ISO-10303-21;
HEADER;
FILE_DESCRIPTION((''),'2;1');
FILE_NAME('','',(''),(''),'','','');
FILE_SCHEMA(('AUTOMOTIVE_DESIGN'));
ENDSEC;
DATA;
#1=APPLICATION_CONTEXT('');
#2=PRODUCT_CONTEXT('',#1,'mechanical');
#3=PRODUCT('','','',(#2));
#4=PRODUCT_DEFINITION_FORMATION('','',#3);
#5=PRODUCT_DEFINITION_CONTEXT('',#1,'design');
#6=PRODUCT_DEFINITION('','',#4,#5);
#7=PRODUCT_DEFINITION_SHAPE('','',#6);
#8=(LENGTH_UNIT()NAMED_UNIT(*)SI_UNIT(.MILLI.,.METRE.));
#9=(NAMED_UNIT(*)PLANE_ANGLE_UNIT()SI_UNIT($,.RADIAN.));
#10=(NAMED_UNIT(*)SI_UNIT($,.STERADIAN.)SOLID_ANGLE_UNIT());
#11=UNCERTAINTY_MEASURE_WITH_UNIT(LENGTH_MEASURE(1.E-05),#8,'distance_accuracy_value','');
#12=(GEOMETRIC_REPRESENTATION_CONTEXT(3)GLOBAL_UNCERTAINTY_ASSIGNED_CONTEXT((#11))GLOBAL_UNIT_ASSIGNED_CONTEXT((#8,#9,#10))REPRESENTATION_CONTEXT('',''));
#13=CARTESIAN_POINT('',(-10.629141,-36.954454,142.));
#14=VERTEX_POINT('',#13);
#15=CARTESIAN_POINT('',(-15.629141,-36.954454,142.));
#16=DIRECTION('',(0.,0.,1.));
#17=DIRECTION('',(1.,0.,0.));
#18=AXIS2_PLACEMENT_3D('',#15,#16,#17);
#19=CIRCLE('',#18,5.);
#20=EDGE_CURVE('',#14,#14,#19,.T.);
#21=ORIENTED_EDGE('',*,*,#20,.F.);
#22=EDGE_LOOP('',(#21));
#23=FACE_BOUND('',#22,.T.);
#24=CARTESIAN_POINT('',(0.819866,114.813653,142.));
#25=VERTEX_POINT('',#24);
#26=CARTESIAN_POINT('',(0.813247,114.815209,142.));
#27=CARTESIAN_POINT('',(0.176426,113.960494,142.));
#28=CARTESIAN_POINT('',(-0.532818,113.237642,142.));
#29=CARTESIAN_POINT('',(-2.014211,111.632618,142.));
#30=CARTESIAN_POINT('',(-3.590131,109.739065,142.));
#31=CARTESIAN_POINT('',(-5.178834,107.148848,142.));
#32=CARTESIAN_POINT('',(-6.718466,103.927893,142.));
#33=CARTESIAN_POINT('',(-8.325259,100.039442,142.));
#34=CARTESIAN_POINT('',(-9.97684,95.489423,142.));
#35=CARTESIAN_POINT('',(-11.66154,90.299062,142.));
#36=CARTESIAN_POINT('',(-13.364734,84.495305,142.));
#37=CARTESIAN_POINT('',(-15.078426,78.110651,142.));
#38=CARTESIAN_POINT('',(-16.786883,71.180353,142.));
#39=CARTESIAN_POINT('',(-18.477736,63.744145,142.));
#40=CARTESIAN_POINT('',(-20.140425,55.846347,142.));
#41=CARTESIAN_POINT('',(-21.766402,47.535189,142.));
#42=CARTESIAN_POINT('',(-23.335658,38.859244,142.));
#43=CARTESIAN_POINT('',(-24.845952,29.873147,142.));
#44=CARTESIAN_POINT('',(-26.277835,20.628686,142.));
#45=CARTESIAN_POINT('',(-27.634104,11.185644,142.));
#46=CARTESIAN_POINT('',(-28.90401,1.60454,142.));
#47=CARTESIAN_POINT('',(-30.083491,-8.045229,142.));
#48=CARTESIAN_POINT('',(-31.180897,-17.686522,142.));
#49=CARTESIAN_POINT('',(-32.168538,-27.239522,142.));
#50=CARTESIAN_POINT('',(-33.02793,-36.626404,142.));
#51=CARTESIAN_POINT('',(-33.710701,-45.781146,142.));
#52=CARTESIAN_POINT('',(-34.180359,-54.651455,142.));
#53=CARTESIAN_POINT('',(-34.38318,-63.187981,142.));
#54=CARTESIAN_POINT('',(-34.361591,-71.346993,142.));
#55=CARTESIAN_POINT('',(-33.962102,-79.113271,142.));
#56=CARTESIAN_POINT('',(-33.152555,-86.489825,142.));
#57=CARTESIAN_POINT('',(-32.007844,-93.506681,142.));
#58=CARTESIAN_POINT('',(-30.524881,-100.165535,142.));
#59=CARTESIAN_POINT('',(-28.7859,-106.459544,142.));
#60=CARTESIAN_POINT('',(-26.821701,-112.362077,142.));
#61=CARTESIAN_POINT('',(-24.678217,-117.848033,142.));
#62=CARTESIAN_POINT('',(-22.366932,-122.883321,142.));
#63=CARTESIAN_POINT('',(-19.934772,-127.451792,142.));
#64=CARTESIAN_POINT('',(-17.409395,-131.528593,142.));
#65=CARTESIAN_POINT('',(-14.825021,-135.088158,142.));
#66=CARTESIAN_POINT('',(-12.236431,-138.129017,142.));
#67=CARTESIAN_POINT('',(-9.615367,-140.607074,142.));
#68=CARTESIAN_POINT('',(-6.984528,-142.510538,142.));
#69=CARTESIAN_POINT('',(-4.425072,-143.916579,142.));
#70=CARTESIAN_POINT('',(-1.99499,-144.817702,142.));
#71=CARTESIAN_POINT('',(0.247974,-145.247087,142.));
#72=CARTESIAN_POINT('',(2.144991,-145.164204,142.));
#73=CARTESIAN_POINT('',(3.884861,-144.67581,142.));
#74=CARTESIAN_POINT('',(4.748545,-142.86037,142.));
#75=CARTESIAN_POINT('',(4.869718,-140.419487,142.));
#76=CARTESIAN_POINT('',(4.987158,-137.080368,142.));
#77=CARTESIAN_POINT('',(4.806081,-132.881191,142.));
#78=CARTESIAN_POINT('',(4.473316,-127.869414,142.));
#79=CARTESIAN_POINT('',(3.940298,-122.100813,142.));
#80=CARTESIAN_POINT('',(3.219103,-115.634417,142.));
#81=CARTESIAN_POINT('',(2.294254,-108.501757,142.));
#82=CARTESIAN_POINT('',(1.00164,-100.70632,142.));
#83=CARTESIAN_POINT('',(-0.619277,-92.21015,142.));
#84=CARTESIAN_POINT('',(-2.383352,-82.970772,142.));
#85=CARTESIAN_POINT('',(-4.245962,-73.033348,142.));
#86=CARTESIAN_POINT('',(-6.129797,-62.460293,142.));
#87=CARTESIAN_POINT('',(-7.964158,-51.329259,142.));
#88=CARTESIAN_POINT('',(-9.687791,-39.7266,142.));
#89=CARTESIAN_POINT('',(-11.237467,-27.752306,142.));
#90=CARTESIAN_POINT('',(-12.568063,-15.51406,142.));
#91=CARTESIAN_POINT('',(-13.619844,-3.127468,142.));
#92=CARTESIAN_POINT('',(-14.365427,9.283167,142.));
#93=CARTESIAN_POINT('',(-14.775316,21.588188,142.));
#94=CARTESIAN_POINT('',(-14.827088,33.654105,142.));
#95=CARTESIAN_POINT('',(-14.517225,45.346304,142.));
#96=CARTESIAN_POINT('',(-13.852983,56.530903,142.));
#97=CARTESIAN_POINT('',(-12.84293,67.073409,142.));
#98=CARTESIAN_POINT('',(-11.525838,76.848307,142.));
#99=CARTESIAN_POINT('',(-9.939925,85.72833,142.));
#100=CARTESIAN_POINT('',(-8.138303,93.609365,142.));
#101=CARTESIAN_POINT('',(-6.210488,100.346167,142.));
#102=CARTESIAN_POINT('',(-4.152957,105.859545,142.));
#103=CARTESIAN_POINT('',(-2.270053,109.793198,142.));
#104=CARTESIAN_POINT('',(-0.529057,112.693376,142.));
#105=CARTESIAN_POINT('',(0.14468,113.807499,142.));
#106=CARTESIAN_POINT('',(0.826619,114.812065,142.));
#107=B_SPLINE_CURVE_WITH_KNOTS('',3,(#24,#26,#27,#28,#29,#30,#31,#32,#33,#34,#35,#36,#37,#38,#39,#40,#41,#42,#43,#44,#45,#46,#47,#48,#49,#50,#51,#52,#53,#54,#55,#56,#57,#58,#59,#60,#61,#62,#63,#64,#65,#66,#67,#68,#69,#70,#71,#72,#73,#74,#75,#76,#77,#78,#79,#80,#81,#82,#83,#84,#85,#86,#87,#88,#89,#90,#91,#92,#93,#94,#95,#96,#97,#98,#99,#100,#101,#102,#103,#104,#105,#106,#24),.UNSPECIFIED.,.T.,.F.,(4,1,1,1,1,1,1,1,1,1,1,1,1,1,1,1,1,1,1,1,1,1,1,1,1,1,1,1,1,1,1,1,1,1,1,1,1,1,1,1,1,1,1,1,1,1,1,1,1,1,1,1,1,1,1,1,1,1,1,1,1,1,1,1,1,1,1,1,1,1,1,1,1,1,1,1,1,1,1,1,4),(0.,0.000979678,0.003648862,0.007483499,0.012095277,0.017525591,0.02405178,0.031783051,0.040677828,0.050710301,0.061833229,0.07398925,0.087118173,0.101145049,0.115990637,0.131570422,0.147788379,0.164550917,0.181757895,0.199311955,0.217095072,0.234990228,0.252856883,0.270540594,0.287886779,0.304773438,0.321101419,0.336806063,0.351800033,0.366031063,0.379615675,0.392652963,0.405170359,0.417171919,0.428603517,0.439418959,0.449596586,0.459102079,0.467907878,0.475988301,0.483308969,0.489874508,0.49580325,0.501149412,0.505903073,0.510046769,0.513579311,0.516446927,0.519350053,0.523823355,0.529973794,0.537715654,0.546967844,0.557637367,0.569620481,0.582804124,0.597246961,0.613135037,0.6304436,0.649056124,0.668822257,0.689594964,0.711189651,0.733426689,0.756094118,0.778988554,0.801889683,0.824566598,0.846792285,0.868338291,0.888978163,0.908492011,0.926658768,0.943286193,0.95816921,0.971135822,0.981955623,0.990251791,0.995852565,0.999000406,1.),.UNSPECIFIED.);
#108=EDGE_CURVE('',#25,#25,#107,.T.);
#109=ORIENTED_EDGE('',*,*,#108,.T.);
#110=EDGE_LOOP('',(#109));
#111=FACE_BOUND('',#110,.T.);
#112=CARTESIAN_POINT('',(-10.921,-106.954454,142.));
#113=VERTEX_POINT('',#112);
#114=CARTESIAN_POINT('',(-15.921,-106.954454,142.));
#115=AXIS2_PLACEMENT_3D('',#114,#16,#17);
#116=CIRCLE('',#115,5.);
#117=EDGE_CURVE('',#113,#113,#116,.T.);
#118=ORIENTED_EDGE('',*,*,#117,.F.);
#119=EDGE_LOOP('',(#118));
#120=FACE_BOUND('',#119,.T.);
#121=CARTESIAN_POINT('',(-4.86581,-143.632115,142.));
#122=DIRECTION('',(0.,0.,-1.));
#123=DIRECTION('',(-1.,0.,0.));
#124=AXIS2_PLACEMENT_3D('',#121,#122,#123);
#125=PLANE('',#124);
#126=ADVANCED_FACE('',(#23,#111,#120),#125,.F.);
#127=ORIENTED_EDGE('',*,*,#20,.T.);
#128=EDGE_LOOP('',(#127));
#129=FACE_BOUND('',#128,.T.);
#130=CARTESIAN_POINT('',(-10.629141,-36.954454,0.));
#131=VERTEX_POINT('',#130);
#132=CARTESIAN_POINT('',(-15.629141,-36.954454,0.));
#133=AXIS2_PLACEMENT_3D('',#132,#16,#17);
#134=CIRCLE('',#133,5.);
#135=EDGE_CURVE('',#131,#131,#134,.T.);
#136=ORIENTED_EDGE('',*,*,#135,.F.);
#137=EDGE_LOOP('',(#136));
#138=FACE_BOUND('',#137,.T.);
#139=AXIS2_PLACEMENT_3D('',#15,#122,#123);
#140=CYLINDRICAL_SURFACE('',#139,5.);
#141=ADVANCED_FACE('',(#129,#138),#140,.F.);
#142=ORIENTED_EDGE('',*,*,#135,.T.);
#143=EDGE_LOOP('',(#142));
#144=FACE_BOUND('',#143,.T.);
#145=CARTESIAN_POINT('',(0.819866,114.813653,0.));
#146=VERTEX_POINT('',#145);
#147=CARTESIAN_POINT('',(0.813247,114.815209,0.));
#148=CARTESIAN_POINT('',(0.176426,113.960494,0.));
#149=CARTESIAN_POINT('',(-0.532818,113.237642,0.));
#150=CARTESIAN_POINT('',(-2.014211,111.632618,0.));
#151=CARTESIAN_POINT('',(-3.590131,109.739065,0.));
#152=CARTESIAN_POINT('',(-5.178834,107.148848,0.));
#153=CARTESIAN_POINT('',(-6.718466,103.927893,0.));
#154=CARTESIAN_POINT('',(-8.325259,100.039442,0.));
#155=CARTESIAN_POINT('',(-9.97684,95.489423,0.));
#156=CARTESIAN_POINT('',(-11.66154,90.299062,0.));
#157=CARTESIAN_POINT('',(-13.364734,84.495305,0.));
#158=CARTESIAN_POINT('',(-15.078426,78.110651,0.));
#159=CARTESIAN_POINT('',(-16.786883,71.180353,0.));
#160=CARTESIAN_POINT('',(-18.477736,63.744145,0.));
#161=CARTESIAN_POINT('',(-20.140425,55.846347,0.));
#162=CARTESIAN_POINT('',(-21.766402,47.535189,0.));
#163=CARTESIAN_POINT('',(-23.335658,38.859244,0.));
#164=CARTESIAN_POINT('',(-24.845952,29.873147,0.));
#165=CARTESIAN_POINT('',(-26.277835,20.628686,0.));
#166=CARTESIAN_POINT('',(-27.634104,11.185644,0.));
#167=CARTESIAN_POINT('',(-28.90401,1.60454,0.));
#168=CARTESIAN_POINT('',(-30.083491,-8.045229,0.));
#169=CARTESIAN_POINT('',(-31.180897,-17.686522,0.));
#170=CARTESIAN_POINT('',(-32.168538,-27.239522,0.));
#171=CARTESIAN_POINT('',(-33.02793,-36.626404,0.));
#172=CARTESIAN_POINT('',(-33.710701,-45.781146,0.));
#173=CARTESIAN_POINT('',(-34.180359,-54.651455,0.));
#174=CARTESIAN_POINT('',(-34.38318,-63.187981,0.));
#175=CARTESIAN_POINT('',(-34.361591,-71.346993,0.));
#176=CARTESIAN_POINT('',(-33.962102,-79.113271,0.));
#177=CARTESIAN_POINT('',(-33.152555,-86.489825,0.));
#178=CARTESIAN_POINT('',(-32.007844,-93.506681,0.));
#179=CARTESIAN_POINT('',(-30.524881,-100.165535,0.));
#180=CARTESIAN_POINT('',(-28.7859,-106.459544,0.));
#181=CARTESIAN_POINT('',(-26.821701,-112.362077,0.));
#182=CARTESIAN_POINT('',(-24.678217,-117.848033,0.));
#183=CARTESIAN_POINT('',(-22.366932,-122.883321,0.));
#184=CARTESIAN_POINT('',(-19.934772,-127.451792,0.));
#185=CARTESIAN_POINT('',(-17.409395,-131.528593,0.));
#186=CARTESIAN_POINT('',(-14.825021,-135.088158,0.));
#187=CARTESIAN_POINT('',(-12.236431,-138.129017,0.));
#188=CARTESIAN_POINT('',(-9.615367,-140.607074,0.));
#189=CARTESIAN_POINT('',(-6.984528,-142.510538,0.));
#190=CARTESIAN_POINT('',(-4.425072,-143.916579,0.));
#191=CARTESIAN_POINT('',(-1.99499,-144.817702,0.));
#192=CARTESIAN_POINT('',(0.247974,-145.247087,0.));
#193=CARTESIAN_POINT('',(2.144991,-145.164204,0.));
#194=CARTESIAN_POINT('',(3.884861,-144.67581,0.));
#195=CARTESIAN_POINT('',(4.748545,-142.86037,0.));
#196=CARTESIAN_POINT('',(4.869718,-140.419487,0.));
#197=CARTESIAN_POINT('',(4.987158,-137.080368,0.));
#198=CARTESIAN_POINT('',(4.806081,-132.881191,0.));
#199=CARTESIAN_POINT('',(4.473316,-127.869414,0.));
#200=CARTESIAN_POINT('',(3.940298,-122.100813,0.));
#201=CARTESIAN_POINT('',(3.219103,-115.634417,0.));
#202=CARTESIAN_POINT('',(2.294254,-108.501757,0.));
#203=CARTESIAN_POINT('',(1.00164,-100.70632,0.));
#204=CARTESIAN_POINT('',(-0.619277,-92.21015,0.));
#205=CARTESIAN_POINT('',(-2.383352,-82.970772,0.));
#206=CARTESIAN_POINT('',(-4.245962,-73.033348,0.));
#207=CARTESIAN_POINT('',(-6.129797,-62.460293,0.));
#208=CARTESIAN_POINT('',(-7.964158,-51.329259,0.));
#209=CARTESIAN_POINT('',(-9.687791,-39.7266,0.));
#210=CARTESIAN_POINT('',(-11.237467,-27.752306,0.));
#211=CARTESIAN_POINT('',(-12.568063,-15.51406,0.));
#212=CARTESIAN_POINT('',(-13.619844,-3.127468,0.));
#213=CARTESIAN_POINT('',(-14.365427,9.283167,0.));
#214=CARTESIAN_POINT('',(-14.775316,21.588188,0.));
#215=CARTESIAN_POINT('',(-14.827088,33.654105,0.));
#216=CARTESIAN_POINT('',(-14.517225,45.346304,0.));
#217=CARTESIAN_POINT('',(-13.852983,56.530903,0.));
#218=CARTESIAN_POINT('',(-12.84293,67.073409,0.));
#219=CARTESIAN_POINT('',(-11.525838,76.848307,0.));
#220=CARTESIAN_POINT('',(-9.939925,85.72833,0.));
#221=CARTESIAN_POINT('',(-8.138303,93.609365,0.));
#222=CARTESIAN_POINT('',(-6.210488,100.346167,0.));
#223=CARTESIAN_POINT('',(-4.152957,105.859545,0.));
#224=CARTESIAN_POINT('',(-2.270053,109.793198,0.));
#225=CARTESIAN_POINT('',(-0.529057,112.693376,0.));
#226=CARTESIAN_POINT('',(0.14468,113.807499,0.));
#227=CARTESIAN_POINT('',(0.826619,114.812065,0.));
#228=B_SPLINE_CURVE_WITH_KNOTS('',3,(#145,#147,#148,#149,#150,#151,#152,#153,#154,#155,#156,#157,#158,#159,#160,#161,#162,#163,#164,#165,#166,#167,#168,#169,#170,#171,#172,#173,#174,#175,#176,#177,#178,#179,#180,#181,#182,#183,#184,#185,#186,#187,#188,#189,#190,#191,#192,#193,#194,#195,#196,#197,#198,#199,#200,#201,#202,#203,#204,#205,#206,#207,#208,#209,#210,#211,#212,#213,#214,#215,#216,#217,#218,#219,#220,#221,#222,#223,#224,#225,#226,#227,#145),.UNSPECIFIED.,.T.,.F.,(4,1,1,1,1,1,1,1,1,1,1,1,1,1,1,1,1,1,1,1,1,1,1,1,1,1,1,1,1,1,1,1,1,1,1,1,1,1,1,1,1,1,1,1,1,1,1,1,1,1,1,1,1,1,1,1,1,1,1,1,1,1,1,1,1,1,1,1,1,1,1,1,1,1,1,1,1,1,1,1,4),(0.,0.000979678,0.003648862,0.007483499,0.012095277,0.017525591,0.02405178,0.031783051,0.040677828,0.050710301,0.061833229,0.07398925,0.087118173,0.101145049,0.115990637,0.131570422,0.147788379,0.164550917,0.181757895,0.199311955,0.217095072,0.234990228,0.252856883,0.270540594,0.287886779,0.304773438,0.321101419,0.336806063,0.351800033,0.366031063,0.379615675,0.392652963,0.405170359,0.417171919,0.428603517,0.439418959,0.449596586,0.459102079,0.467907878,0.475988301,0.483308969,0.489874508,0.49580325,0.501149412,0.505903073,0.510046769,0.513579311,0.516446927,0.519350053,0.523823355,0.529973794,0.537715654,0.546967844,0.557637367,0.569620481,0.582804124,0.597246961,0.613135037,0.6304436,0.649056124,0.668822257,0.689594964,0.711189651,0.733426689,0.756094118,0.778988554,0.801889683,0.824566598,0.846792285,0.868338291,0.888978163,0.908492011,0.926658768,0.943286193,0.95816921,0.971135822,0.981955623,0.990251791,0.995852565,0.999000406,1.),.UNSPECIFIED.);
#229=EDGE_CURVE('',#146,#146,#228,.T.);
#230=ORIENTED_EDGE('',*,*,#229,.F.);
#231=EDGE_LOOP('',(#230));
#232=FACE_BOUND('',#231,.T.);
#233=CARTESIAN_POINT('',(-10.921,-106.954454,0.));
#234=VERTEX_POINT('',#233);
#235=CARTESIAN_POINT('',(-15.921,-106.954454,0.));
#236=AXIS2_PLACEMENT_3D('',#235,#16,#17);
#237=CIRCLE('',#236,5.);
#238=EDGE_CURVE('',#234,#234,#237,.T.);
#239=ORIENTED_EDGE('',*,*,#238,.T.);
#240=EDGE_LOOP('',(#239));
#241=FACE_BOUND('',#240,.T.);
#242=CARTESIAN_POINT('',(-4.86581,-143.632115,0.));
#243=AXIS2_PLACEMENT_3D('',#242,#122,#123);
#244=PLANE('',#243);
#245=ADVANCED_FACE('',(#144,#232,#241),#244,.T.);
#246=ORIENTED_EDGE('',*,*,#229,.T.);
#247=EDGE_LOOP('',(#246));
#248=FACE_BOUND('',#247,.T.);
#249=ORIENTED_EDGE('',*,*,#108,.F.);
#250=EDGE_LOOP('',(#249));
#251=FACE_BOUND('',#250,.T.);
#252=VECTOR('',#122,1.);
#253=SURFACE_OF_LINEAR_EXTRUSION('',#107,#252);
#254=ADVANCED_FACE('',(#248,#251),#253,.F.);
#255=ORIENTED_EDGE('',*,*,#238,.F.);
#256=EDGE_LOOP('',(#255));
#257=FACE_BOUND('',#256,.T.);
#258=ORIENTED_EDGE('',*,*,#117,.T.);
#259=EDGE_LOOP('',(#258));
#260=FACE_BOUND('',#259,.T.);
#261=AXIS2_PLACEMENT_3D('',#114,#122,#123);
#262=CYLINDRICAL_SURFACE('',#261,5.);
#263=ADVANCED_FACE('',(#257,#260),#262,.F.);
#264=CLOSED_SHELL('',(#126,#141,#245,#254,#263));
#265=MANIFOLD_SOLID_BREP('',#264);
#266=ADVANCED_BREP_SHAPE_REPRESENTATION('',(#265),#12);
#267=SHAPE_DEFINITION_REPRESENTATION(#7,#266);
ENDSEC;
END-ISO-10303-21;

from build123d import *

# Parameters (mm, degrees)
SKETCH1_R           = 5
BOSS_EXTRUDE1_DEPTH = 142


with BuildPart() as part:
    # Sketch1 → Boss-Extrude1 (new body)
    with BuildSketch(Plane.XY):
        with BuildLine():
            add(Edge.make_bspline(
                [(0.819865797, 114.813652867), (0.813246926, 114.815209386), (0.176425634, 113.960493852), (-0.532817508, 113.237641744), (-2.014211483, 111.63261807), (-3.590131405, 109.739065396), (-5.178834029, 107.148847981), (-6.718466474, 103.927892939), (-8.325259418, 100.039442167), (-9.976839755, 95.489422808), (-11.661540296, 90.299062059), (-13.364733827, 84.495304894), (-15.078426374, 78.110650736), (-16.786882966, 71.180352885), (-18.477736169, 63.744144549), (-20.140424924, 55.846347362), (-21.766401741, 47.535188936), (-23.335658015, 38.859244262), (-24.845951729, 29.873147393), (-26.277834946, 20.628685923), (-27.6341037, 11.185644022), (-28.904010238, 1.604540318), (-30.083490926, -8.045229211), (-31.18089713, -17.686521976), (-32.168538455, -27.239522435), (-33.027930071, -36.626403754), (-33.710700725, -45.781146282), (-34.180359304, -54.651454769), (-34.383179762, -63.187980789), (-34.361590849, -71.346992933), (-33.962101759, -79.113271486), (-33.152555114, -86.489824894), (-32.007844153, -93.506681455), (-30.524881209, -100.165534692), (-28.785900294, -106.459543607), (-26.821701423, -112.362077468), (-24.678217457, -117.848033345), (-22.366932397, -122.883320864), (-19.934771977, -127.451792098), (-17.40939456, -131.528593063), (-14.825021201, -135.088157718), (-12.23643082, -138.129017389), (-9.615367008, -140.60707427), (-6.984528233, -142.510538036), (-4.425072469, -143.916578779), (-1.994990485, -144.817702096), (0.247974452, -145.2470874), (2.144991147, -145.164204416), (3.884861133, -144.675810072), (4.74854534, -142.860370088), (4.869717514, -140.419487193), (4.987158062, -137.080368493), (4.806080714, -132.881191066), (4.473315731, -127.869413914), (3.940298387, -122.100812885), (3.219103002, -115.634416752), (2.294254026, -108.501757362), (1.001639969, -100.706320341), (-0.619277106, -92.210150375), (-2.383352133, -82.970772333), (-4.245962451, -73.033347541), (-6.129797053, -62.460293478), (-7.964157835, -51.329259031), (-9.68779069, -39.72659954), (-11.237466566, -27.752306188), (-12.56806264, -15.514060444), (-13.619844048, -3.127468395), (-14.365427377, 9.283167452), (-14.775315831, 21.588187813), (-14.827087679, 33.654104808), (-14.517225267, 45.346304236), (-13.852982534, 56.530903488), (-12.84293, 67.073409341), (-11.525838418, 76.84830695), (-9.939924821, 85.728330279), (-8.138303421, 93.609364987), (-6.210488261, 100.346167223), (-4.152957493, 105.859545091), (-2.270053424, 109.793198278), (-0.529057077, 112.693375761), (0.14467979, 113.807499238), (0.826619229, 114.812064704), (0.819865797, 114.813652867)],
                knots=[0, 0, 0, 0, 0.000979678, 0.003648862, 0.007483499, 0.012095277, 0.017525591, 0.02405178, 0.031783051, 0.040677828, 0.050710301, 0.061833229, 0.07398925, 0.087118173, 0.101145049, 0.115990637, 0.131570422, 0.147788379, 0.164550917, 0.181757895, 0.199311955, 0.217095072, 0.234990228, 0.252856883, 0.270540594, 0.287886779, 0.304773438, 0.321101419, 0.336806063, 0.351800033, 0.366031063, 0.379615675, 0.392652963, 0.405170359, 0.417171919, 0.428603517, 0.439418959, 0.449596586, 0.459102079, 0.467907878, 0.475988301, 0.483308969, 0.489874508, 0.49580325, 0.501149412, 0.505903073, 0.510046769, 0.513579311, 0.516446927, 0.519350053, 0.523823355, 0.529973794, 0.537715654, 0.546967844, 0.557637367, 0.569620481, 0.582804124, 0.597246961, 0.613135037, 0.6304436, 0.649056124, 0.668822257, 0.689594964, 0.711189651, 0.733426689, 0.756094118, 0.778988554, 0.801889683, 0.824566598, 0.846792285, 0.868338291, 0.888978163, 0.908492011, 0.926658768, 0.943286193, 0.95816921, 0.971135822, 0.981955623, 0.990251791, 0.995852565, 0.999000406, 1, 1, 1, 1], degree=3))
        make_face()
        with Locations((-15.92100048, -106.954454188)):
            Circle(SKETCH1_R, mode=Mode.SUBTRACT)
        with Locations((-15.629141039, -36.954454188)):
            Circle(SKETCH1_R, mode=Mode.SUBTRACT)
    extrude(amount=BOSS_EXTRUDE1_DEPTH)


solid = part.part
